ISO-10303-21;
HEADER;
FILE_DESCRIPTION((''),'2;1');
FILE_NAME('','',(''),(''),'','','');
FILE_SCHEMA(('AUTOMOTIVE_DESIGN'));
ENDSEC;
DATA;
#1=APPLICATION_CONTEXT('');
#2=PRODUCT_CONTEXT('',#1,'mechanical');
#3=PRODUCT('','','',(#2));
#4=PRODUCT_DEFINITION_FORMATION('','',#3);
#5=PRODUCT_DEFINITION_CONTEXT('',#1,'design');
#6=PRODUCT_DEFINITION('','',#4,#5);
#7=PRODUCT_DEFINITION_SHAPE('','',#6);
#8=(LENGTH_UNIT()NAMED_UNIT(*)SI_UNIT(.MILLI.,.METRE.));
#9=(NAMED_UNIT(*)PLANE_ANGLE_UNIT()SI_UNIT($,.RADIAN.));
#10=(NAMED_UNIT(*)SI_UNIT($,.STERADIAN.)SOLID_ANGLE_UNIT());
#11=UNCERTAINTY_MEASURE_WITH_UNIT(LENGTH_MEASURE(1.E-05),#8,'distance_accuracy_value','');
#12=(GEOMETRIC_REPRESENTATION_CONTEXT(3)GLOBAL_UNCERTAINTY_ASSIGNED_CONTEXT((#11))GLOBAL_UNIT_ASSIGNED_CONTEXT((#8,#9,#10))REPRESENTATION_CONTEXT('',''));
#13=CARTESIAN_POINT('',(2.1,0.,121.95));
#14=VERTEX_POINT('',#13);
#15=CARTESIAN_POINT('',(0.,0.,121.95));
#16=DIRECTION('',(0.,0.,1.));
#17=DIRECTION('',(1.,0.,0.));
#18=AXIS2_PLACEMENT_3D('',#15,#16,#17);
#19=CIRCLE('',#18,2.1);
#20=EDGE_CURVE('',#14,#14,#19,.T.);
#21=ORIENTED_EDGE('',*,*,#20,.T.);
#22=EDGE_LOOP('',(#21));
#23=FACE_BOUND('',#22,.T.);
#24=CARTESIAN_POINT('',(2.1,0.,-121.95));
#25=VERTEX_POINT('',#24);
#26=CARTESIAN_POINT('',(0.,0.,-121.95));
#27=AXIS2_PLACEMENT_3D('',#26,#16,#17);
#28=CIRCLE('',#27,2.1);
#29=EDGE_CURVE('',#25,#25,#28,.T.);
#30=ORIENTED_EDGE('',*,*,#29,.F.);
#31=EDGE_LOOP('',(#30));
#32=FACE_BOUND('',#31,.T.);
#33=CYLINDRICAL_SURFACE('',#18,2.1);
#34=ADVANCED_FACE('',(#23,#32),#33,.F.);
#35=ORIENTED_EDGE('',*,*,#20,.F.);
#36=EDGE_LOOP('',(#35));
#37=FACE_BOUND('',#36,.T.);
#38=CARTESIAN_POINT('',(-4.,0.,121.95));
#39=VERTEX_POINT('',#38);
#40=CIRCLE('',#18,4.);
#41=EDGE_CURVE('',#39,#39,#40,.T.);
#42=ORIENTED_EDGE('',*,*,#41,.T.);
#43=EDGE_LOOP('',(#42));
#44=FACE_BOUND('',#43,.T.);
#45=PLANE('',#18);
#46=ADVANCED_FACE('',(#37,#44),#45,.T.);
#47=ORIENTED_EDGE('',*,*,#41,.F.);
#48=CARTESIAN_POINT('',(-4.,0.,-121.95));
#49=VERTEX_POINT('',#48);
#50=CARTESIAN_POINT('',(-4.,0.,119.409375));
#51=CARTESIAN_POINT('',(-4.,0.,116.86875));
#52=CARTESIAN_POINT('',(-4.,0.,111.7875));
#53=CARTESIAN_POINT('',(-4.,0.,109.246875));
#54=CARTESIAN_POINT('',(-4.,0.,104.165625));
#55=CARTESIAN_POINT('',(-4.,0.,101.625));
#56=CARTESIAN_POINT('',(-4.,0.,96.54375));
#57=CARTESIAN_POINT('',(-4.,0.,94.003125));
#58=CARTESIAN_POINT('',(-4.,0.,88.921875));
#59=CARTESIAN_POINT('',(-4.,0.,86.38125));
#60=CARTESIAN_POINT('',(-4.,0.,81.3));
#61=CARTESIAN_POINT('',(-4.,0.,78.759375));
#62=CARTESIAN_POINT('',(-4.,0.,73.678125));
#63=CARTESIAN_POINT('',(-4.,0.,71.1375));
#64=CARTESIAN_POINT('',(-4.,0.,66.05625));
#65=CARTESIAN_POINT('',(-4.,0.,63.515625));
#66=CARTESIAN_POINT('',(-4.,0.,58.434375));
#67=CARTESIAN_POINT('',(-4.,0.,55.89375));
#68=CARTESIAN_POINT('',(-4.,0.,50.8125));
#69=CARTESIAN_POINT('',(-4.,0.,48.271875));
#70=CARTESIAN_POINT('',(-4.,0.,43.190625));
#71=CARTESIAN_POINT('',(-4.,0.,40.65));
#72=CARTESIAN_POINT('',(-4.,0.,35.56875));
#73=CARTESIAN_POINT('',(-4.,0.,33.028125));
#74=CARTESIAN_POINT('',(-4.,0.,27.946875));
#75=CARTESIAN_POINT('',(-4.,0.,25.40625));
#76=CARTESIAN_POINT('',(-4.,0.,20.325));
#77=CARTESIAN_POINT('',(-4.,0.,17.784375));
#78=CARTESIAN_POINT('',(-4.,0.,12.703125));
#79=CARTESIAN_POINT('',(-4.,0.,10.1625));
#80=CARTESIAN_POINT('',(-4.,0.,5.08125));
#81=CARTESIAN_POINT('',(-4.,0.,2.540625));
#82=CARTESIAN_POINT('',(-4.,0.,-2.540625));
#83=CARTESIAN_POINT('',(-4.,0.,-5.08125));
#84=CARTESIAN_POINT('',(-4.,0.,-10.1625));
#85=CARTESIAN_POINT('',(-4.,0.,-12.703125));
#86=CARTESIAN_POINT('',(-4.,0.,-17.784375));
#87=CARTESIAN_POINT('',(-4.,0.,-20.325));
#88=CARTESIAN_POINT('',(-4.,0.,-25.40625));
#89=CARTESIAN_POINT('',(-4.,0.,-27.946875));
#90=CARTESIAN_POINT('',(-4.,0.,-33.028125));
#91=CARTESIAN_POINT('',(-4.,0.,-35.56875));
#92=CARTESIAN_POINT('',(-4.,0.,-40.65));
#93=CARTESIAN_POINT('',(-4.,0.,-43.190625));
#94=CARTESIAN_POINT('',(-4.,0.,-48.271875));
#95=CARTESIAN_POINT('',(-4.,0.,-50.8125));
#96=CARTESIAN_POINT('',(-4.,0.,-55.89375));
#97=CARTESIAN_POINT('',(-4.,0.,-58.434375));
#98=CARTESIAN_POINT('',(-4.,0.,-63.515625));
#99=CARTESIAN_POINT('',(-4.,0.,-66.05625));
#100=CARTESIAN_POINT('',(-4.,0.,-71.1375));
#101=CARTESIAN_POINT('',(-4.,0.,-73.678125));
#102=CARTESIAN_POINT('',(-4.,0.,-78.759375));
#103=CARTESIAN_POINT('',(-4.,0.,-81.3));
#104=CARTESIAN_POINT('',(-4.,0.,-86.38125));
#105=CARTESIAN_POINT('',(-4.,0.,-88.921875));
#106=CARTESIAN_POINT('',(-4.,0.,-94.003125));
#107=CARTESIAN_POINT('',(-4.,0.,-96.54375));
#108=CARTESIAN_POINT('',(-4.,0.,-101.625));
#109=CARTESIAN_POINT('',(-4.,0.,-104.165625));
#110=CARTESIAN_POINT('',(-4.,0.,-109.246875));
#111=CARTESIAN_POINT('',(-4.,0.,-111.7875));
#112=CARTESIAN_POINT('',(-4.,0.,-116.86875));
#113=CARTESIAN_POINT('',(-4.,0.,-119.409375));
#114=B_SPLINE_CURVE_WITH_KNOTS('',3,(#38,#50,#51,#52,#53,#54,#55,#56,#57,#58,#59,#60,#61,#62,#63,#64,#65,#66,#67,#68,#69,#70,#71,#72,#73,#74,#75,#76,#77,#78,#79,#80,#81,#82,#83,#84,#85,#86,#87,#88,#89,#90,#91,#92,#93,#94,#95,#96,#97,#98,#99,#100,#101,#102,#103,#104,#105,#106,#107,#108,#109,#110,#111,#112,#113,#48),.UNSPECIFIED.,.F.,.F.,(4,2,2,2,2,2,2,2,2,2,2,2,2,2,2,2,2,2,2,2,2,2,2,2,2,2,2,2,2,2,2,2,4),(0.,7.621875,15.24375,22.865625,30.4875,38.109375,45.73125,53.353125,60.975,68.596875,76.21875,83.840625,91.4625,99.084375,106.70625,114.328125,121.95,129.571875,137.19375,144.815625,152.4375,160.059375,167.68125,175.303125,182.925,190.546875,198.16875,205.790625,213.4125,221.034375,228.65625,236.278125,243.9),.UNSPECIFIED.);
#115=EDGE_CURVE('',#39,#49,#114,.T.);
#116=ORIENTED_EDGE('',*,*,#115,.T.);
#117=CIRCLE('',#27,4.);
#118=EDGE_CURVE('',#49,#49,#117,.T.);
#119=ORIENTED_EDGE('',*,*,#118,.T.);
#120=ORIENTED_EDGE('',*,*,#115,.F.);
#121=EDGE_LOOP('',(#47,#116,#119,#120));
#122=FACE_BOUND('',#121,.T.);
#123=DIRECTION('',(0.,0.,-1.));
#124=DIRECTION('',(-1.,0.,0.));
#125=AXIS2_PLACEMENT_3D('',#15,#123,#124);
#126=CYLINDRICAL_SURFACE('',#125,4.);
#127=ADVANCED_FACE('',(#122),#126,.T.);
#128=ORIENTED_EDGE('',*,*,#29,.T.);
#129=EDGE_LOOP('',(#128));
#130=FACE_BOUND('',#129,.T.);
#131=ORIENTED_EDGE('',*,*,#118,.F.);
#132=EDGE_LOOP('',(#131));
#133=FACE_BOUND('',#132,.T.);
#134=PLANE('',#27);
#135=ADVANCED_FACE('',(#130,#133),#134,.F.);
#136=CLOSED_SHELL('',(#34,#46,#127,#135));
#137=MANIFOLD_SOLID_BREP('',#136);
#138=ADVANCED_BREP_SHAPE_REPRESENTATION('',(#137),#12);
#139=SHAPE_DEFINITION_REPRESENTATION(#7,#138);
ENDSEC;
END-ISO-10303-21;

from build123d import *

# Parameters (mm, degrees)
SKETCH_1_R      = 4
EXTRUDE_1_DEPTH = 121.95
SKETCH_3_W      = 2.1
SKETCH_3_H      = 243.9


with BuildPart() as part:
    # 草图1 → 凸台-拉伸1 (new, symmetric)
    with BuildSketch(Plane.XY):
        with Locations(Location((0, 0, 0), (0, 0, 180))):
            Circle(SKETCH_1_R)
    extrude(amount=EXTRUDE_1_DEPTH, both=True)

    # 草图3 → M5 螺纹孔的螺纹孔钻头1 (revolve, cut)
    with BuildSketch(Plane(origin=(0, 0, 121.95), x_dir=(0, -1, 0), z_dir=(1, 0, 0))):
        with Locations((1.05, 121.95)):
            Rectangle(SKETCH_3_W, SKETCH_3_H)
    revolve(axis=Axis((0, 0, 128.3), (0, 0, -1)), mode=Mode.SUBTRACT)


solid = part.part
